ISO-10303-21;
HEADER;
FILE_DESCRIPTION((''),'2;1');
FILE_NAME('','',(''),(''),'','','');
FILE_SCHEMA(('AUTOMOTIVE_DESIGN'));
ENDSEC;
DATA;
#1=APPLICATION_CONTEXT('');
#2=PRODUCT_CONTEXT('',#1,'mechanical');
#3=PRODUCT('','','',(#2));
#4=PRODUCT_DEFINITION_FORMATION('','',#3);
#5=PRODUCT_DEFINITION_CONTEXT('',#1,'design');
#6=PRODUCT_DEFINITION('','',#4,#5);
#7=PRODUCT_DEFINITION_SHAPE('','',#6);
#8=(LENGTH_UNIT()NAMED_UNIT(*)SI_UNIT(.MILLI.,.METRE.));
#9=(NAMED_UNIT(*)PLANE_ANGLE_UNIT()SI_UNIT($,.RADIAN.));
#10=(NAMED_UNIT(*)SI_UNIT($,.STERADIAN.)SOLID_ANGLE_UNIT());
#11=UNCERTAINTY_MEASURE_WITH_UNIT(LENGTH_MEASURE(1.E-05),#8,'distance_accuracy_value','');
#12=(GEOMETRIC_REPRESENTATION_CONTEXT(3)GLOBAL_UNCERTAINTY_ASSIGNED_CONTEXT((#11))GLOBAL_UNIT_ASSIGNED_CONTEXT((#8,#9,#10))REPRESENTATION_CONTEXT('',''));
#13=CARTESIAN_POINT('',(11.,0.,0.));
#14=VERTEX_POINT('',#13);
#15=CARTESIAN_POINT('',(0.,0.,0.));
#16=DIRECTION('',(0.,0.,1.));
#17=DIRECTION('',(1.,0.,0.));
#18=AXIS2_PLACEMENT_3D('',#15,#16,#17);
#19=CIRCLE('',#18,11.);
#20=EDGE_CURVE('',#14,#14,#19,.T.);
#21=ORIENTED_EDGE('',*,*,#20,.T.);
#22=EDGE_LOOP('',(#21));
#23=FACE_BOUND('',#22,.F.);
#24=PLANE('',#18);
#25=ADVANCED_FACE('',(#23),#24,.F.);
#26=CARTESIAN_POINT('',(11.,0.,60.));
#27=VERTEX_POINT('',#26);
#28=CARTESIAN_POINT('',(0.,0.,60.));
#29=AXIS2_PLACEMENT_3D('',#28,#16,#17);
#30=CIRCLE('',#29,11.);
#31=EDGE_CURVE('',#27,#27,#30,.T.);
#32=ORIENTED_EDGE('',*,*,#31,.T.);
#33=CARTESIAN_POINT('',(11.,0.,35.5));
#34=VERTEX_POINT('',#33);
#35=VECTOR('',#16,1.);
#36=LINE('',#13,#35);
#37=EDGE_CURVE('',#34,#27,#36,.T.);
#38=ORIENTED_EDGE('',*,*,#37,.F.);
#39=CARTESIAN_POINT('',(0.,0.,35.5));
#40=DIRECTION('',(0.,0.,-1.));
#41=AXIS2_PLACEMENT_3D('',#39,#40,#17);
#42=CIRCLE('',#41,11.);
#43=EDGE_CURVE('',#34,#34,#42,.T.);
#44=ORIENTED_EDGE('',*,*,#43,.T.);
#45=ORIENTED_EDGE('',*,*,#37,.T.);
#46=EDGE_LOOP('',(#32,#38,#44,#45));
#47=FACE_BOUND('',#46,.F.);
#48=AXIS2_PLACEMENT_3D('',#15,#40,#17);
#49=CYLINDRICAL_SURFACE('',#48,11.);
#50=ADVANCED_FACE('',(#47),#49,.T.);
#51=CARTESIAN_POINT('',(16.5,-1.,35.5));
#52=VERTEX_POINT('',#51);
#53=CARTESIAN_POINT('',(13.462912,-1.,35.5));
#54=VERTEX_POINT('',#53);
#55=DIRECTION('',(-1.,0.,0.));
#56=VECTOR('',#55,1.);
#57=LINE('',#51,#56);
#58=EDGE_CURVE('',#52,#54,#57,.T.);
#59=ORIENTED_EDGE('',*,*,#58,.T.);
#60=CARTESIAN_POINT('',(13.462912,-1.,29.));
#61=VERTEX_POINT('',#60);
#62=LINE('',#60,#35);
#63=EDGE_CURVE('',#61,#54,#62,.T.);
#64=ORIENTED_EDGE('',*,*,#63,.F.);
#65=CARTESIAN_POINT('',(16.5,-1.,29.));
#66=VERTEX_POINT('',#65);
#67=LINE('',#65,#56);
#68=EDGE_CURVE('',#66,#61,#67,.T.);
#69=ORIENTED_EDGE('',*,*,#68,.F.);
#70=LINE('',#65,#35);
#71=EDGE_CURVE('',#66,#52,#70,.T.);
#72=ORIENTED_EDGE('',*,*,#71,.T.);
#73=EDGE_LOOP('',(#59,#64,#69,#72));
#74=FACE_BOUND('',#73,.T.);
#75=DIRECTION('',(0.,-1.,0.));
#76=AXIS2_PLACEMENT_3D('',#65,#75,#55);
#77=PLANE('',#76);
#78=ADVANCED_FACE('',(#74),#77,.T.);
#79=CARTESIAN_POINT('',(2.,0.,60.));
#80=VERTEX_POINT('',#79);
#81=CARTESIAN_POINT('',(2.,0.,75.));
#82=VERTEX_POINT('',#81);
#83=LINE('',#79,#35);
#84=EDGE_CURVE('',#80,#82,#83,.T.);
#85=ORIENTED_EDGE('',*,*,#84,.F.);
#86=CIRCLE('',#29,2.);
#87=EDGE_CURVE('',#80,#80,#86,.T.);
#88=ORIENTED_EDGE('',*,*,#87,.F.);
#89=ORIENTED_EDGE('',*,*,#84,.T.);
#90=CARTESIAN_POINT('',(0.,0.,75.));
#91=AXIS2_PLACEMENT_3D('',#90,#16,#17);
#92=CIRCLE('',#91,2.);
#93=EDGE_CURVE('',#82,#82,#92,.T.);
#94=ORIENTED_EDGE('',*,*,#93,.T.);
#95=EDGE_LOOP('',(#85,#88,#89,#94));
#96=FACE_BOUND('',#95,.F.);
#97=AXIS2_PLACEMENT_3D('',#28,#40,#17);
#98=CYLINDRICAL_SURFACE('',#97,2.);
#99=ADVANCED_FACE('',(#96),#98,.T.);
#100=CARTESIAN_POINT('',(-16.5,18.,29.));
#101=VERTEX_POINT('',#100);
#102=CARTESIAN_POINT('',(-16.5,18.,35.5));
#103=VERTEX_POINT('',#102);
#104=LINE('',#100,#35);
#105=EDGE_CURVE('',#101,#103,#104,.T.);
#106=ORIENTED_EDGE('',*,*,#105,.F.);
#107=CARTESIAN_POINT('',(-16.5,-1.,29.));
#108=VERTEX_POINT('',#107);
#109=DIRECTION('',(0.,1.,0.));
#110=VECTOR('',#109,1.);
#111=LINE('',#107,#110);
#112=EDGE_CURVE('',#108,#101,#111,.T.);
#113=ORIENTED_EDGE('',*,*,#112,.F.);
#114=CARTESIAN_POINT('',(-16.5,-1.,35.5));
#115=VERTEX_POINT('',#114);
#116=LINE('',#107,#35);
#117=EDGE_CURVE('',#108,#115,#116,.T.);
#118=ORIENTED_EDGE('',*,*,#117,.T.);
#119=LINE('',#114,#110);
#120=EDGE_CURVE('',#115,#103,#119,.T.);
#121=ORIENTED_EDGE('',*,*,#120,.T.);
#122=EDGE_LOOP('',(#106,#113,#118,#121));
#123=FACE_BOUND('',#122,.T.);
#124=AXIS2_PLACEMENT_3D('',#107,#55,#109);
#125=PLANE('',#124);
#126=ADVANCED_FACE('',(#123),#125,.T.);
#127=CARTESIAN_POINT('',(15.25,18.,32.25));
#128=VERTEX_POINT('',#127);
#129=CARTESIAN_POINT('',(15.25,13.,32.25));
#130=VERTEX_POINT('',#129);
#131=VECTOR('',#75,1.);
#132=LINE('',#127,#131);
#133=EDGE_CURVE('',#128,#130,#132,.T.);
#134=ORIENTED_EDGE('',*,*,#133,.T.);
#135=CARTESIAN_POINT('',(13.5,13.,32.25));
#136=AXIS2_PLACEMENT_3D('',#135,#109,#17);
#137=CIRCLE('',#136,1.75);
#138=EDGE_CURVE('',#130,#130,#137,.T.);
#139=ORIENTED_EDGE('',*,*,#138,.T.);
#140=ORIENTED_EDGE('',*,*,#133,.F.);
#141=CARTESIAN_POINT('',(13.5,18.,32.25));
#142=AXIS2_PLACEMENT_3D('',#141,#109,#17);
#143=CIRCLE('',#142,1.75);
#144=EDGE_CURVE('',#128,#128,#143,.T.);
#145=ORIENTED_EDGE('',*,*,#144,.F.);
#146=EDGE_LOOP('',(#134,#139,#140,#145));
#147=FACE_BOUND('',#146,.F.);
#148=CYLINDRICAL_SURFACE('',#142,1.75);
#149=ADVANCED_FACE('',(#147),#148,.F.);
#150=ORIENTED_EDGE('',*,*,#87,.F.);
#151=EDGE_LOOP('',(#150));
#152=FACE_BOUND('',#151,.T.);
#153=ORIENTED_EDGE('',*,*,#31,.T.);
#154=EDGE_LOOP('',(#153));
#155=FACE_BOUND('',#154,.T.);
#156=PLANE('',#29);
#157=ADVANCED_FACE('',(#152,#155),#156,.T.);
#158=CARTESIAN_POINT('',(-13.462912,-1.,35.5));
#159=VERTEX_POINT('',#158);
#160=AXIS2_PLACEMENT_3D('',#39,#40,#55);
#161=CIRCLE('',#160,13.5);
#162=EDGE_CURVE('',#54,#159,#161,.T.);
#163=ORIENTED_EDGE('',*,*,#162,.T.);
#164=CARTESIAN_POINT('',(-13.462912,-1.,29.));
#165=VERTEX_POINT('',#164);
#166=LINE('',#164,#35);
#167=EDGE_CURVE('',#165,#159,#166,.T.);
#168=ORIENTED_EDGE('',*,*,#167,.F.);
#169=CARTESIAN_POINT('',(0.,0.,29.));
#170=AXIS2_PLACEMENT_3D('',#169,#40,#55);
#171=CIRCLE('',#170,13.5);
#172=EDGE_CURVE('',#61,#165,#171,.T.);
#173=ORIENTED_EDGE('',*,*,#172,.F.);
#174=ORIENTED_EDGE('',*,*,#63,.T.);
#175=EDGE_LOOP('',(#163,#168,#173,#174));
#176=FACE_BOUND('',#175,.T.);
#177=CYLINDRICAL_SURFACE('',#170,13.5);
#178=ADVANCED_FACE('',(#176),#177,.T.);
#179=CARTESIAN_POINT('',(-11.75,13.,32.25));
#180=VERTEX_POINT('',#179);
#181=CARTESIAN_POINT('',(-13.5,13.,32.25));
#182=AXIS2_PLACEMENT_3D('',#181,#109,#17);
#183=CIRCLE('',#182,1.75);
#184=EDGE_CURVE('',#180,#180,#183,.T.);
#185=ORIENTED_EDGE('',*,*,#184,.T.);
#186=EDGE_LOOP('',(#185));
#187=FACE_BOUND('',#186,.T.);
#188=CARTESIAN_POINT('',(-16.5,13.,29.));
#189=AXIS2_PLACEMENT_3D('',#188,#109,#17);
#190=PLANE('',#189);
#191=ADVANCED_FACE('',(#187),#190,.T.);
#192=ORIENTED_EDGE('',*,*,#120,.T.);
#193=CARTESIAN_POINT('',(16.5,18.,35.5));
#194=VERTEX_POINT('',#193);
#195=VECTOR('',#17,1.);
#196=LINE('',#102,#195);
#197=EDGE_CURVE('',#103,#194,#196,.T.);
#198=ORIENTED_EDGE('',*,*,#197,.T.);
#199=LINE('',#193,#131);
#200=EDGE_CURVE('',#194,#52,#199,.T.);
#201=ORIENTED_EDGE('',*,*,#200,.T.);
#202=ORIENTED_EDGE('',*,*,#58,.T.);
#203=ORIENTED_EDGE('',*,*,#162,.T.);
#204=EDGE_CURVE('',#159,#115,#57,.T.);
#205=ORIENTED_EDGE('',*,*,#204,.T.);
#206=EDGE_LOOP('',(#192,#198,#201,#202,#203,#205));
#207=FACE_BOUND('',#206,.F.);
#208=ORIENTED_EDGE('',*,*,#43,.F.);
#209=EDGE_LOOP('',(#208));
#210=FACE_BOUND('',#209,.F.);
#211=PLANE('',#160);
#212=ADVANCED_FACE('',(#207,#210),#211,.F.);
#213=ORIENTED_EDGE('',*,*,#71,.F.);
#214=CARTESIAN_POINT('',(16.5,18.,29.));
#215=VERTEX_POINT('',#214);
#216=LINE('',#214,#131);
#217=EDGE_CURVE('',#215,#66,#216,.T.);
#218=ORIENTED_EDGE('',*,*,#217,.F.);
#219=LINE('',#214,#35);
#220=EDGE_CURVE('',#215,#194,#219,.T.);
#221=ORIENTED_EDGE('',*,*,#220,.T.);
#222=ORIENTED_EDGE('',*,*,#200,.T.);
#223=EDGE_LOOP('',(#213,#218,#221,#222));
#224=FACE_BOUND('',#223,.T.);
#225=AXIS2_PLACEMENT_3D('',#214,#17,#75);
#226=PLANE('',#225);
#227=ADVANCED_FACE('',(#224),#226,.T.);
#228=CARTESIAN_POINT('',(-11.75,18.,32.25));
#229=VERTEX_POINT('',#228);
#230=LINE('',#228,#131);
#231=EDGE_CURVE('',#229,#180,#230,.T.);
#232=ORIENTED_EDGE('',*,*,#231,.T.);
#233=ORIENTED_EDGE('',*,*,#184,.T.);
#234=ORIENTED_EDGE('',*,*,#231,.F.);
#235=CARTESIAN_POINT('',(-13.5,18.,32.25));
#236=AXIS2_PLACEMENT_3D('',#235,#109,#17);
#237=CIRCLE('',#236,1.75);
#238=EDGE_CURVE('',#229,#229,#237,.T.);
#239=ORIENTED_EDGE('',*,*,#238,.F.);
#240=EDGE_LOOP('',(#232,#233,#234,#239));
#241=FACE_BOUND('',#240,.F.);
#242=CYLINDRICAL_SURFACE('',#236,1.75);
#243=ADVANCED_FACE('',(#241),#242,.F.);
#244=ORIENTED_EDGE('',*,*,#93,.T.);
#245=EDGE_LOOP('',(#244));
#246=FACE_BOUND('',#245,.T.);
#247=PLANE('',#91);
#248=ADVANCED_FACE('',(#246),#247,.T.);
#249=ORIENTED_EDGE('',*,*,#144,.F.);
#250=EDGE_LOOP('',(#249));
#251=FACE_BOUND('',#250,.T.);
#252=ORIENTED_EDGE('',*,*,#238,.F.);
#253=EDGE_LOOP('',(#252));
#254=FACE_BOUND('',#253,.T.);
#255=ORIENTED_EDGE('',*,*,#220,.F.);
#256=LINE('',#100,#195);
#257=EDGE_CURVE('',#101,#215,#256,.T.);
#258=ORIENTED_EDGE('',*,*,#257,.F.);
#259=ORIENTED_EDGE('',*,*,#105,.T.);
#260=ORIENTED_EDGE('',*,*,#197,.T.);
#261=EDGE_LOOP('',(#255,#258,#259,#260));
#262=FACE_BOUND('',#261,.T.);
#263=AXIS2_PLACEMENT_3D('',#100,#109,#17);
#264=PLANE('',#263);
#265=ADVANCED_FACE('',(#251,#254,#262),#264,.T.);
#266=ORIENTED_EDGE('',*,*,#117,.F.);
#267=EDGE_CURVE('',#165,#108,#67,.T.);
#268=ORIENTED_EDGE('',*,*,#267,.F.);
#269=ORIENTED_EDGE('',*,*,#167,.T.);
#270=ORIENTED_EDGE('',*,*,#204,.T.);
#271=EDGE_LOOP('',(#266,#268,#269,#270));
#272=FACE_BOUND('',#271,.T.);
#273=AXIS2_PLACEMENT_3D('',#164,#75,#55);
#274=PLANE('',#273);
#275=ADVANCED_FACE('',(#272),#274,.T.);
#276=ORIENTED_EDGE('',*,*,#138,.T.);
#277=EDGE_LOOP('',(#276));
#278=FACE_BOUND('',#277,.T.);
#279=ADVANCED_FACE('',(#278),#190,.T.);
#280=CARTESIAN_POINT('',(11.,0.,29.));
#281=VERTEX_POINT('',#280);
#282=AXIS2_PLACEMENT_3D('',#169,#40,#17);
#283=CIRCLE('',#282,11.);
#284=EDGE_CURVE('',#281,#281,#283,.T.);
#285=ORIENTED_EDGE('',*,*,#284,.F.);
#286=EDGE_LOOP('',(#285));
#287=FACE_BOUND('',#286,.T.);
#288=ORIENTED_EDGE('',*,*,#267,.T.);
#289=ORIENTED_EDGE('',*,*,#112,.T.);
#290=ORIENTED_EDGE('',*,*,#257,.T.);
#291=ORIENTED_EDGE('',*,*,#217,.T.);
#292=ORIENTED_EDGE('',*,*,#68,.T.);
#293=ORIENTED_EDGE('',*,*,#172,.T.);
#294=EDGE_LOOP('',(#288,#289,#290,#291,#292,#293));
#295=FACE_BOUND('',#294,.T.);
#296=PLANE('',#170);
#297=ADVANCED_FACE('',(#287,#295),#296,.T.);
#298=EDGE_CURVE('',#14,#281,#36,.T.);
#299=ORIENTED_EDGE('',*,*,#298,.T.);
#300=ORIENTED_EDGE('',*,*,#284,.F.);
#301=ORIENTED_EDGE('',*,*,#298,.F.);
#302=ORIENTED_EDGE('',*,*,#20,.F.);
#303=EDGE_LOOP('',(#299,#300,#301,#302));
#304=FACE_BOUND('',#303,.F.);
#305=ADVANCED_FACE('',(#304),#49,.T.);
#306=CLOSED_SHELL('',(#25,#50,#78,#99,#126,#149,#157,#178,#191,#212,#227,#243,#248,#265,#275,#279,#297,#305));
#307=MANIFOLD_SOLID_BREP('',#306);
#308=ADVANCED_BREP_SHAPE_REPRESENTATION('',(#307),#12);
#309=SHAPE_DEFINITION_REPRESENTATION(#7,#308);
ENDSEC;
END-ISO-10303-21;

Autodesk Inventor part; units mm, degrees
ref_plane "YZ Plane" through (0, 0, 0) normal (1, 0, 0) x (0, 1, 0)
ref_plane "XZ Plane" through (0, 0, 0) normal (0, 1, 0) x (-1, 0, 0)
sketch "Sketch1" plane through (0, 0, 0) normal (0, 0, 1) x (1, 0, 0)
  circle A0 centre (0, 0) radius 11
  dimension "d0" = 22
extrude "Extrusion1" add sketch "Sketch1" along normal blind 60
sketch "Sketch2" plane through (0, 0, 60) normal (0, 0, 1) x (1, 0, 0)
  circle A0 centre (0, 0) radius 2
  dimension "d3" = 4
extrude "Extrusion2" add sketch "Sketch2" along normal blind 15
ref_plane "Work Plane1" through (0, 0, 29) normal (0, 0, -1) x (-1, 0, 0)
sketch "Sketch3" plane through (0, 0, 29) normal (0, 0, -1) x (-1, 0, 0)
  line L0 (16.5, -18) -> (-16.5, -18) construction
  line L1 (-16.5, -18) -> (-16.5, 18) construction
  line L2 (-16.5, 18) -> (16.5, 18) construction
  line L3 (16.5, 18) -> (16.5, -18) construction
  line L4 (16.5, -18) -> (-16.5, 18) construction
  line L5 (-16.5, -18) -> (16.5, 18) construction
  arc A0 (-13.4629, -1) -> (13.4629, -1) centre (0, 0) ccw construction
  circle A1 centre (0, 0) radius 13.5
  line L6 (16.5, 18) -> (-16.5, 18)
  line L7 (-16.5, 18) -> (-16.5, -1)
  line L8 (-16.5, -1) -> (16.5, -1)
  line L9 (16.5, -1) -> (16.5, 18)
  dimension "d7" = 33
  dimension "d8" = 36
  dimension "d9" = 27
  dimension "d10" = 27
  dimension "d11" = 19
extrude "Extrusion3" add sketch "Sketch3" against normal blind 6.5
sketch "Sketch4" plane through (-16.5, 18, 29) normal (0, 1, 0) x (1, 0, 0)
  line L0 (3.0371, 0) -> (0, 0) construction
  line L1 (0, 0) -> (33, 0) construction
  line L2 (33, 0) -> (33, -3.25) construction
  line L3 (33, -3.25) -> (0, -3.25) construction
  line L4 (0, -3.25) -> (0, 0) construction
  line L5 (0, -3.25) -> (3, -3.25) construction
  line L6 (33, -3.25) -> (30, -3.25) construction
  circle A0 centre (3, -3.25) radius 1.75
  circle A1 centre (30, -3.25) radius 1.75
  point P0 (16.5, 29)
  dimension "d14" = 33
  dimension "d15" = 3.25
  dimension "d16" = 3
  dimension "d17" = 3
  dimension "d18" = 3.5
  dimension "d19" = 3.5
extrude "Extrusion4" cut sketch "Sketch4" against normal blind 5
properties part number "Small Motor"
